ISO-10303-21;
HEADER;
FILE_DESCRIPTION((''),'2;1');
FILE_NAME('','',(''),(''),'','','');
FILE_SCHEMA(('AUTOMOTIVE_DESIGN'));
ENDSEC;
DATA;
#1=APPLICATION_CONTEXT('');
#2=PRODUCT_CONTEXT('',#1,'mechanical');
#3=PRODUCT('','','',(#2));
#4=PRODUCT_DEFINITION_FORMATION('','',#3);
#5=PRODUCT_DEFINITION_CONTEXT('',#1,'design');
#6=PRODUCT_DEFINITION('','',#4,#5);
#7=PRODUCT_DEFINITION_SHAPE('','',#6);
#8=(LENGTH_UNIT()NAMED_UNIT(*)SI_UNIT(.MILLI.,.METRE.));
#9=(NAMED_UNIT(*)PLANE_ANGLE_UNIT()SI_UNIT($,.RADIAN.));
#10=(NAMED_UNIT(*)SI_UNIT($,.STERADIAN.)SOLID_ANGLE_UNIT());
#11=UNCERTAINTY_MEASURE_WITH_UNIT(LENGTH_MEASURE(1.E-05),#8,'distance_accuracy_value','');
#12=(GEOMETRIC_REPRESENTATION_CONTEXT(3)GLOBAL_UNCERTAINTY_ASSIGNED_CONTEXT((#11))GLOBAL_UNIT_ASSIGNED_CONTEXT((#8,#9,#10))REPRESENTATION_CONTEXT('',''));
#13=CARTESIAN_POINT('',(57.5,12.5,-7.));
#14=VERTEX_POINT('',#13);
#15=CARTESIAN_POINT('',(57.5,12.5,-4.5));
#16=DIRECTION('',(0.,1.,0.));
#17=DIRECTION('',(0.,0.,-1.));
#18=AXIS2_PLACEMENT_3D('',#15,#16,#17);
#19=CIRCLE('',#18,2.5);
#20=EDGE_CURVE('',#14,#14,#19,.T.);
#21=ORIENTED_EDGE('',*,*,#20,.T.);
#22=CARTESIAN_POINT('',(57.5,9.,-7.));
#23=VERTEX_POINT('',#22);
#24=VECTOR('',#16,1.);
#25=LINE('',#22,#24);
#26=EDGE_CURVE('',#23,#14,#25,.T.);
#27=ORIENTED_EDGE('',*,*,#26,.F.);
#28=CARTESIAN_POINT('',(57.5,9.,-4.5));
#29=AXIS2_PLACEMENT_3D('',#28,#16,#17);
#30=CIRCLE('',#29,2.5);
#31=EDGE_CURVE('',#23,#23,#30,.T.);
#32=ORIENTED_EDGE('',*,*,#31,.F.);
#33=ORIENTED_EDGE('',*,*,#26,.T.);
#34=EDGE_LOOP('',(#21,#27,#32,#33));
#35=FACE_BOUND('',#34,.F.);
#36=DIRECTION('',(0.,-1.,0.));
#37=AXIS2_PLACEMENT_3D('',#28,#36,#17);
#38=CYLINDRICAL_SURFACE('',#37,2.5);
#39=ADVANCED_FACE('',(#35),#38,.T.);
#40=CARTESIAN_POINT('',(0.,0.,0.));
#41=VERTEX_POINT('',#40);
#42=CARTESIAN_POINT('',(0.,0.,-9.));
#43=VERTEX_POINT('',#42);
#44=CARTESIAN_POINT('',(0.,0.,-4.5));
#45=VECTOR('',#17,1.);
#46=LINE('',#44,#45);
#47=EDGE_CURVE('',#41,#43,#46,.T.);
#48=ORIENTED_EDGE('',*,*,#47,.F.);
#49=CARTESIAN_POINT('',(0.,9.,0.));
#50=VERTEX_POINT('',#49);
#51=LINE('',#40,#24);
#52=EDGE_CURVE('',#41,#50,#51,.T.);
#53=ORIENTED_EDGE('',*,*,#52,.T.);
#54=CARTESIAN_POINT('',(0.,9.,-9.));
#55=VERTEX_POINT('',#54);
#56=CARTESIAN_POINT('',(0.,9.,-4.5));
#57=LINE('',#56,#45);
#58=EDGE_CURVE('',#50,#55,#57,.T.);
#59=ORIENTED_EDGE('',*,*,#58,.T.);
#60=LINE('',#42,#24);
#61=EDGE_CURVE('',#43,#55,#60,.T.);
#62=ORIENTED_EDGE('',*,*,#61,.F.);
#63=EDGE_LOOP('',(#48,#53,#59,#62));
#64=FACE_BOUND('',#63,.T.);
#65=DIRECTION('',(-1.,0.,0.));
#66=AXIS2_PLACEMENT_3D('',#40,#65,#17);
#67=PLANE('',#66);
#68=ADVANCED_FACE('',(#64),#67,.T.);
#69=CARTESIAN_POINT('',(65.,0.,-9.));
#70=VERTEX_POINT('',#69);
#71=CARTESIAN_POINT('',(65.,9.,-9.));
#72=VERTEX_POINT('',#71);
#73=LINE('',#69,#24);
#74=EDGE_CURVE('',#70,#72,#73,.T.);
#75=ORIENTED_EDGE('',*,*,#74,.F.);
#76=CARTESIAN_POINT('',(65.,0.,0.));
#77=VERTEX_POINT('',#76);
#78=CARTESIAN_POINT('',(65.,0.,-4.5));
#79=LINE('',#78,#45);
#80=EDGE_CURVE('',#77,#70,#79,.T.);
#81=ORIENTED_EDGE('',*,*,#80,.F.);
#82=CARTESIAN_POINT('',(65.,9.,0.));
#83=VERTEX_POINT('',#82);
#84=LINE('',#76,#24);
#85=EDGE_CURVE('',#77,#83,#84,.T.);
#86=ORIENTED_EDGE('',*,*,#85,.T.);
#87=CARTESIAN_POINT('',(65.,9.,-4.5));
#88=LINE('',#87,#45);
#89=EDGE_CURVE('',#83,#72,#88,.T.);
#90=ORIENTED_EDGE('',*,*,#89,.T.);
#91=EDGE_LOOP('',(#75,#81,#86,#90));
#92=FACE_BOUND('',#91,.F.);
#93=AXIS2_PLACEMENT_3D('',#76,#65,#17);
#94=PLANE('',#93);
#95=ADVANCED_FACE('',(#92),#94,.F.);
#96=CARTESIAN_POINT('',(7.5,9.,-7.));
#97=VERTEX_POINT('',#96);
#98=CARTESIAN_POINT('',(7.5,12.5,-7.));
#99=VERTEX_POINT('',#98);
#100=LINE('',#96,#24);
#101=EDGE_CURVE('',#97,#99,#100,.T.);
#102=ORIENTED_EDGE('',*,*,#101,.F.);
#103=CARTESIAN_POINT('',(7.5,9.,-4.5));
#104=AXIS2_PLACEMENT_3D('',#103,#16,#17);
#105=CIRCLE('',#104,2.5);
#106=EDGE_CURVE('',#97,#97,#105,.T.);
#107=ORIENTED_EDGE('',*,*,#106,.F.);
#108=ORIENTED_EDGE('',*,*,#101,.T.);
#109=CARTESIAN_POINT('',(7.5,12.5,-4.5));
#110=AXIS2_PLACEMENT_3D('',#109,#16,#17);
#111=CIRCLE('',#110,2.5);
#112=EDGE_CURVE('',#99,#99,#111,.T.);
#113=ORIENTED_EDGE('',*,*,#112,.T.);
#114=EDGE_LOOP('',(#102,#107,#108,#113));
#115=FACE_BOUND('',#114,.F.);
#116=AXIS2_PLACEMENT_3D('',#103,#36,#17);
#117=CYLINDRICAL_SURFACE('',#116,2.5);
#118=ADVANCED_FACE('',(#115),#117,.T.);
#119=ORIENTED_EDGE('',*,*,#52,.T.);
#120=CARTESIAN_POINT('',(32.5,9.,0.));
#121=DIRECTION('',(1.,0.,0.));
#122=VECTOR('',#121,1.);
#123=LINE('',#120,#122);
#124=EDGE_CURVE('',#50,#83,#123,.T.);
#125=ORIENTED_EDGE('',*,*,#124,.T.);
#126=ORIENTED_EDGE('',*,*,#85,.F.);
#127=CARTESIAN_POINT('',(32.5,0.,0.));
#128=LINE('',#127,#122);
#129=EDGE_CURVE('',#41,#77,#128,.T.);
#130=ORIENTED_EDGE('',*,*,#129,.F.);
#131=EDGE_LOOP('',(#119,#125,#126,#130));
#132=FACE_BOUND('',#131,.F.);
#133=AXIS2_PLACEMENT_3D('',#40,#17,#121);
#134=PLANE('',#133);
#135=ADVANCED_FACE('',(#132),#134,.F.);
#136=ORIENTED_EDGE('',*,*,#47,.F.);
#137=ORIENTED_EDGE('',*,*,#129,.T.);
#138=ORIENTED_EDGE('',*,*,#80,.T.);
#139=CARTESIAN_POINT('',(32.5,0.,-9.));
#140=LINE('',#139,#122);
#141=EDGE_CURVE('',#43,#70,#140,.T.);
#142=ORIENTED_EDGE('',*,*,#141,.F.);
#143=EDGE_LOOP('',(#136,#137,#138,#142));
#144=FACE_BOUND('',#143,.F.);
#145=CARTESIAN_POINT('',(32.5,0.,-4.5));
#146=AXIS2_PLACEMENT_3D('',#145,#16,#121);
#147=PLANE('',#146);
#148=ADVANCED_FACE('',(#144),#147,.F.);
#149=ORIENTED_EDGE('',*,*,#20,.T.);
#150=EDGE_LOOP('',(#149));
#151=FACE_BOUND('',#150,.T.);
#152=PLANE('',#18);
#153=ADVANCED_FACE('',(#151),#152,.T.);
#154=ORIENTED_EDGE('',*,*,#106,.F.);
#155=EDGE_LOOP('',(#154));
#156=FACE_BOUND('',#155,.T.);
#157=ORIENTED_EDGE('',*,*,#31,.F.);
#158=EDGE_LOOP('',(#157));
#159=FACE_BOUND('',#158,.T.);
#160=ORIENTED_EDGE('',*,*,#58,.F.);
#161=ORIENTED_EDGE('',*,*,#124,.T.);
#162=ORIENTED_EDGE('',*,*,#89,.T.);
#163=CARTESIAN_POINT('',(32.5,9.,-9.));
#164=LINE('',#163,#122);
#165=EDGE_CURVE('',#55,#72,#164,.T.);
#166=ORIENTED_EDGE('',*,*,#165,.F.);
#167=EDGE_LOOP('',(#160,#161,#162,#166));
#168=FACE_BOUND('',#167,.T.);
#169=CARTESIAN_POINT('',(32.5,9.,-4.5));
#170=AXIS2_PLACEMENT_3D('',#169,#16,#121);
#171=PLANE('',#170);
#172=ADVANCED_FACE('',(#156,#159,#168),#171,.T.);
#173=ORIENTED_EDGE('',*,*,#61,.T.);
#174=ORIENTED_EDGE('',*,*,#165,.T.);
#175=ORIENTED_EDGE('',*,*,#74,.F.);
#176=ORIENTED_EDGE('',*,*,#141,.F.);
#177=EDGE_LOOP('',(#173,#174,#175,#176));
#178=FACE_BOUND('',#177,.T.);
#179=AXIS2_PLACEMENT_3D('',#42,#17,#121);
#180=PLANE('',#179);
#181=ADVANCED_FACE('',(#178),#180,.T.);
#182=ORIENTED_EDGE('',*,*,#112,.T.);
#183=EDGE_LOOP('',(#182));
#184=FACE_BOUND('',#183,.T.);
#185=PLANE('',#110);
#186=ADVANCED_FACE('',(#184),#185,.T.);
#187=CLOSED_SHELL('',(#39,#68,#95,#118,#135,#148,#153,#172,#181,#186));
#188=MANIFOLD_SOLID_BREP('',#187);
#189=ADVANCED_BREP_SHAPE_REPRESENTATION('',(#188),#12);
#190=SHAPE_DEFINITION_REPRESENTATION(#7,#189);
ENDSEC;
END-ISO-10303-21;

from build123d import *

# Parameters (mm, degrees)
SKETCH1_W           = 65
SKETCH1_H           = 9
BOSS_EXTRUDE1_DEPTH = 9
SKETCH2_R           = 2.5
BOSS_EXTRUDE2_DEPTH = 3.5


with BuildPart() as part:
    # Sketch1 → Boss-Extrude1 (new body)
    with BuildSketch(Plane(origin=(0, 0, 0), x_dir=(1, 0, 0), z_dir=(0, 1, 0))):
        with Locations((32.5, 4.5)):
            Rectangle(SKETCH1_W, SKETCH1_H)
    extrude(amount=BOSS_EXTRUDE1_DEPTH)

    # Sketch2 → Boss-Extrude2 (add)
    with BuildSketch(Plane(origin=(0, 9, 0), x_dir=(1, 0, 0), z_dir=(0, 1, 0))):
        with Locations(Location((7.5, 4.5, 0), (0, 0, 90))):  # turned: the seam where the file's is
            Circle(SKETCH2_R)
        with Locations(Location((57.5, 4.5, 0), (0, 0, 90))):  # turned: the seam where the file's is
            Circle(SKETCH2_R)
    extrude(amount=BOSS_EXTRUDE2_DEPTH)


solid = part.part
